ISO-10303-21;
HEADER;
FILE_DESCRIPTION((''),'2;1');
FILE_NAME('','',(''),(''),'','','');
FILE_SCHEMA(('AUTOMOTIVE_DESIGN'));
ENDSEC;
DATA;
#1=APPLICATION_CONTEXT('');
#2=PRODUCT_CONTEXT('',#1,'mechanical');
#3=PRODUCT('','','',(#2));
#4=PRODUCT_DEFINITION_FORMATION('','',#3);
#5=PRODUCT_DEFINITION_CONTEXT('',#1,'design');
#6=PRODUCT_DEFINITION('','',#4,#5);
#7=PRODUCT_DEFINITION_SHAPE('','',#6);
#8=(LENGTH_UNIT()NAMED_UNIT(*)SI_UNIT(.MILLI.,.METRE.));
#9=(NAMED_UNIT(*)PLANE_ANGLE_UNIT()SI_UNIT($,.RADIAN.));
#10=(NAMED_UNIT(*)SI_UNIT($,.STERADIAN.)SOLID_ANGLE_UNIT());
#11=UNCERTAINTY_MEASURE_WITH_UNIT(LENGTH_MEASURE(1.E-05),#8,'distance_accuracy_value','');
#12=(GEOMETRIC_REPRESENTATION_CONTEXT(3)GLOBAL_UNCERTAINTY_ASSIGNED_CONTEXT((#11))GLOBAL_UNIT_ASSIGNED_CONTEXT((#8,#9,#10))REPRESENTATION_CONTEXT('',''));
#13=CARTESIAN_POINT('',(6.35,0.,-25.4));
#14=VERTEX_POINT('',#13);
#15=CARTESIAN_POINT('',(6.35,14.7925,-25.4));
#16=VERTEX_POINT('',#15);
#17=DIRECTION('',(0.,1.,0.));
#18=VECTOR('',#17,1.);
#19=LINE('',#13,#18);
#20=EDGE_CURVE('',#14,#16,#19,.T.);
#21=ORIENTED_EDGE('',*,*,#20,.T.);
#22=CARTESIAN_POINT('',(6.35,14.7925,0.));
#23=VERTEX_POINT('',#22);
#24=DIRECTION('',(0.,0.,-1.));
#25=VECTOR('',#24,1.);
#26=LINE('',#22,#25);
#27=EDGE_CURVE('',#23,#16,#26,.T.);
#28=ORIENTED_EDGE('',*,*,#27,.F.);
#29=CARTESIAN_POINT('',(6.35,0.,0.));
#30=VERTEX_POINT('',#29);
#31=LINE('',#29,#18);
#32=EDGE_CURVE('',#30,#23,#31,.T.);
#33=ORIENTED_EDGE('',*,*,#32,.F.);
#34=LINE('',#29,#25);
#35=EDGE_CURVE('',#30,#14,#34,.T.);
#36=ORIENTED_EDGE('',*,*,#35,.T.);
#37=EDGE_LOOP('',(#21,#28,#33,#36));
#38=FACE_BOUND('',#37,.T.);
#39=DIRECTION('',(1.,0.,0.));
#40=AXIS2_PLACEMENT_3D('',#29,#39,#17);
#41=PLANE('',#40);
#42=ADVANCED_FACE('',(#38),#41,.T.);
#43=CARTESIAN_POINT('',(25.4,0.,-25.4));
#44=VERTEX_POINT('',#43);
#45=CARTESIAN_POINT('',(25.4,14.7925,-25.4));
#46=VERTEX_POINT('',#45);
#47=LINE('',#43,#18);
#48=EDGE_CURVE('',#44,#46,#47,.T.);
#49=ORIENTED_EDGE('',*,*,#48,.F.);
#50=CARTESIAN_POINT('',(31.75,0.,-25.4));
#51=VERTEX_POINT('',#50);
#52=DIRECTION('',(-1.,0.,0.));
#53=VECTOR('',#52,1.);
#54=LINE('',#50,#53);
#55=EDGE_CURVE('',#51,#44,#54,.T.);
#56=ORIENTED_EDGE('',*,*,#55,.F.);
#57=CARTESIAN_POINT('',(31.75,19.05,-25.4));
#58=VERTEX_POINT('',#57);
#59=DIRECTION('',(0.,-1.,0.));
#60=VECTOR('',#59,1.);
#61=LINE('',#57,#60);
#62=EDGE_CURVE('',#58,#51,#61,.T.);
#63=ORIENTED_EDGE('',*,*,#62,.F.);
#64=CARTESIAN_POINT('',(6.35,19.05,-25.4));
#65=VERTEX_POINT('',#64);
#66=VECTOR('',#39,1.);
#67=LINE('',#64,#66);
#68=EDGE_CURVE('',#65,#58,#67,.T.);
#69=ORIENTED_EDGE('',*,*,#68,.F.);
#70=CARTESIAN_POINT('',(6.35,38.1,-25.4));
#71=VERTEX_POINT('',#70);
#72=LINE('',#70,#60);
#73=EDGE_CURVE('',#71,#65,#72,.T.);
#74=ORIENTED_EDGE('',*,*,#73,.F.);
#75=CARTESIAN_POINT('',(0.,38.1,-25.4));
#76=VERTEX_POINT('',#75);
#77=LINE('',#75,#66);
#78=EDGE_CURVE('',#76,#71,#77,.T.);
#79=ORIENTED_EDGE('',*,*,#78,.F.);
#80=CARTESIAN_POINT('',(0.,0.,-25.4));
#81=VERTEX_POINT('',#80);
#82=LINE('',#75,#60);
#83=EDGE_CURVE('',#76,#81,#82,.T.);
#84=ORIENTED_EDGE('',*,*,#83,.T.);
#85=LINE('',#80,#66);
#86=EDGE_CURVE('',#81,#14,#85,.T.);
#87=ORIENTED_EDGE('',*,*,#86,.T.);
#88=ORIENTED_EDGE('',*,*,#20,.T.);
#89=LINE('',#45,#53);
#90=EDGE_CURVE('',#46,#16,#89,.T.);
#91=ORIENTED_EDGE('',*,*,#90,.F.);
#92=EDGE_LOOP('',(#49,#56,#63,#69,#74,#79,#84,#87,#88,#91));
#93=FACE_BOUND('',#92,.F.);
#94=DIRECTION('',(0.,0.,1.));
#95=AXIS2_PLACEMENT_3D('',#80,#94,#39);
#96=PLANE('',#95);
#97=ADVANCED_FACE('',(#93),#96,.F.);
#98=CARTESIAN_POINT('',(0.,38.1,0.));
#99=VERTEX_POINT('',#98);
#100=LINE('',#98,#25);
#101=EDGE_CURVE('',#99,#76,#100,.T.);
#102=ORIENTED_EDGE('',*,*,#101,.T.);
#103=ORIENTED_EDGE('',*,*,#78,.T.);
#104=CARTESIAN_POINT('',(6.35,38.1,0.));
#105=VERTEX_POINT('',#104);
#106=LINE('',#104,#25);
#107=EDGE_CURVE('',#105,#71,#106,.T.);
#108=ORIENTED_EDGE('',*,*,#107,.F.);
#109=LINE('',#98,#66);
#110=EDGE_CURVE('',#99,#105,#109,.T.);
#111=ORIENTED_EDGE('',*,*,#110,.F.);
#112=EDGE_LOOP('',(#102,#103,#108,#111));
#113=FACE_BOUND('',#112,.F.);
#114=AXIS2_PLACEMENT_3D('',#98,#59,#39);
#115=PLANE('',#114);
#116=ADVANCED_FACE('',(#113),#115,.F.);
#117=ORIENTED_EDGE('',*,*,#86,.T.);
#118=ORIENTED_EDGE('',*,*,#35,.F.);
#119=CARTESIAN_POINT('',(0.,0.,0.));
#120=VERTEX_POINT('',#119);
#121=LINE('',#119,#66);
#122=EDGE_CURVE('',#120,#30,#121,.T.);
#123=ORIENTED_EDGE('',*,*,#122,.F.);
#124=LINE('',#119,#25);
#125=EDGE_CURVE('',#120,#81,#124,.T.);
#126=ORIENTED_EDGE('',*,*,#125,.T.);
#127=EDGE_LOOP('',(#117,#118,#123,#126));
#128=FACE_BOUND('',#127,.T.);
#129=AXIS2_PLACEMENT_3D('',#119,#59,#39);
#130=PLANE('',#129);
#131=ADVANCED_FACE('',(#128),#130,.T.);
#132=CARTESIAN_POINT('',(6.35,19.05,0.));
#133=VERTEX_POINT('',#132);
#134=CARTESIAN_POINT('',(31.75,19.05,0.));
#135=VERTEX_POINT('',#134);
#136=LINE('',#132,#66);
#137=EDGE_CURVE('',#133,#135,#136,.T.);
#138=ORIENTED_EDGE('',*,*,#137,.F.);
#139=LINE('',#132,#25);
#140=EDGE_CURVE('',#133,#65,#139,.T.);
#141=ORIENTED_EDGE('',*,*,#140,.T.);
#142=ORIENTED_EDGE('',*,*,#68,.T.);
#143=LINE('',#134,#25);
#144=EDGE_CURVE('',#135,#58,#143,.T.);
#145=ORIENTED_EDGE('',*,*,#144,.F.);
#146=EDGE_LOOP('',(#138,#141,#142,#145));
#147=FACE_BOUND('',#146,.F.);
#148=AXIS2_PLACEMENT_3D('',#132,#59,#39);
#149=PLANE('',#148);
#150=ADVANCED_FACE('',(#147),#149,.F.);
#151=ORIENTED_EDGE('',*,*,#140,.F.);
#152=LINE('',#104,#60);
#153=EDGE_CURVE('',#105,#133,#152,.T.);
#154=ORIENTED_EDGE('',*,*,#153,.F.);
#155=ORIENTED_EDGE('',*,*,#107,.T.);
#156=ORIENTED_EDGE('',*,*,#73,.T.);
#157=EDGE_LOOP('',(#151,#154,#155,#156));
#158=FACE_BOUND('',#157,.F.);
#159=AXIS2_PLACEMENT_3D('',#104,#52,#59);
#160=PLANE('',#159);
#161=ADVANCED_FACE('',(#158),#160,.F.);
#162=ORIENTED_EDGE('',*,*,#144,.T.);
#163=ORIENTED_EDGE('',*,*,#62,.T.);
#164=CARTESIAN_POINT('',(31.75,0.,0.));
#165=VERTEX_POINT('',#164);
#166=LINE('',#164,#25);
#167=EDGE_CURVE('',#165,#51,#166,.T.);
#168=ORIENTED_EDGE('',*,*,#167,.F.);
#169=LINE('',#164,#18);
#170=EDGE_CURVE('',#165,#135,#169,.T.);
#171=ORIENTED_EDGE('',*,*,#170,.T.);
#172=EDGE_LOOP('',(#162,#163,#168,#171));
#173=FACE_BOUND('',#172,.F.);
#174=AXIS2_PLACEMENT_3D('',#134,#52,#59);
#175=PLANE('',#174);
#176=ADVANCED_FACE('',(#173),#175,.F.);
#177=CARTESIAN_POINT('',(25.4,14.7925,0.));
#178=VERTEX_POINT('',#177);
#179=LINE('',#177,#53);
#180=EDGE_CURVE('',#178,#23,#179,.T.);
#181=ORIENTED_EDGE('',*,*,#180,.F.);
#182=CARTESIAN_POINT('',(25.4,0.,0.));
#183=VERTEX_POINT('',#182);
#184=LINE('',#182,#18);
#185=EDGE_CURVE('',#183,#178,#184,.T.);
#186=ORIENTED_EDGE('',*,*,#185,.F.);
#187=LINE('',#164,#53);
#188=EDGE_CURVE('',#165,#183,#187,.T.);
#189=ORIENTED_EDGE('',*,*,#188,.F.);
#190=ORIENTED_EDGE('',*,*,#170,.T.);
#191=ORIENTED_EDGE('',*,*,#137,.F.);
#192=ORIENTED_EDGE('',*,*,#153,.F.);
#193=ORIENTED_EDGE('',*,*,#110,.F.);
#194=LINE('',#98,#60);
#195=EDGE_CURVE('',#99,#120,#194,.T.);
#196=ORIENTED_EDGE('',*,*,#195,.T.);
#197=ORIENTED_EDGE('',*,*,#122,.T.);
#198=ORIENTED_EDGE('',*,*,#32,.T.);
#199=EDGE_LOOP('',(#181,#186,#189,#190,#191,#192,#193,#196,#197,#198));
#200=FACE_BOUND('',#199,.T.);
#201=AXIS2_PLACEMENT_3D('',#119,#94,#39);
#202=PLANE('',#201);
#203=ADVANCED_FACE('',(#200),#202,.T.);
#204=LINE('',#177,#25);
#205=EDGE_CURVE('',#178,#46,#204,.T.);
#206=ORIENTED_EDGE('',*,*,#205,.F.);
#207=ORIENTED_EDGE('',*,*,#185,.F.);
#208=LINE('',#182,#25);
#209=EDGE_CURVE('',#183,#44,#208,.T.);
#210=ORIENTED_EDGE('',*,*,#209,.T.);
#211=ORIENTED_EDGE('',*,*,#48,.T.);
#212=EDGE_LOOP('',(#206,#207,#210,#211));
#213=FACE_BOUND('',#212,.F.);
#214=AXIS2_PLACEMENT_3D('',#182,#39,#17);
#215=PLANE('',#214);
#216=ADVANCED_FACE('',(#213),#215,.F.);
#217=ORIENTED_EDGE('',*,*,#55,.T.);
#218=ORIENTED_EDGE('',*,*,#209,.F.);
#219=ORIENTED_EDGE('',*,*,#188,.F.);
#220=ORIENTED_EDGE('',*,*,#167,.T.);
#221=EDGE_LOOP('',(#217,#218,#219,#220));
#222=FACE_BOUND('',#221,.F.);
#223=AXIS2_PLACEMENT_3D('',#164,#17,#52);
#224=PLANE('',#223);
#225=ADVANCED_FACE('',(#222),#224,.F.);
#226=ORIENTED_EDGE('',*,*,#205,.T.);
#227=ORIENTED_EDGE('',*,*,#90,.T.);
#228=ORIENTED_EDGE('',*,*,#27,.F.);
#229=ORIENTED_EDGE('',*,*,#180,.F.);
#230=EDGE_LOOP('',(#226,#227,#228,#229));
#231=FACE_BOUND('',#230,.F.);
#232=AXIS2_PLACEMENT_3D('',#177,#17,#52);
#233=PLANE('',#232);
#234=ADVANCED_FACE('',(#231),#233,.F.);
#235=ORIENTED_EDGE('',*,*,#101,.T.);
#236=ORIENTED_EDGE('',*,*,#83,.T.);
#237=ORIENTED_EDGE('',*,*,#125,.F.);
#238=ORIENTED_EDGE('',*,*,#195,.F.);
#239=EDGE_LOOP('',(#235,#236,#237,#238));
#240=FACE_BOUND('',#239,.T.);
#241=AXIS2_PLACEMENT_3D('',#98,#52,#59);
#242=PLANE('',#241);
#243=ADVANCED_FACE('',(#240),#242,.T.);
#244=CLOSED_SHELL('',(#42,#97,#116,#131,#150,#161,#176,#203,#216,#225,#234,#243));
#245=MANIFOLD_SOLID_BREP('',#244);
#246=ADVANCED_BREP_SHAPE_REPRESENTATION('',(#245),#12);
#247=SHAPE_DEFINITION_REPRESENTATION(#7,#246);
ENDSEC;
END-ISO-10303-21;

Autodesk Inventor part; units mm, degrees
ref_plane "YZ Plane" through (0, 0, 0) normal (1, 0, 0) x (0, 1, 0)
ref_plane "XZ Plane" through (0, 0, 0) normal (0, 1, 0) x (-1, 0, 0)
ref_plane "XY Plane" through (0, 0, 0) normal (0, 0, 1) x (1, 0, 0)
sketch "Sketch1" plane through (0, 0, 0) normal (0, 0, 1) x (1, 0, 0)
  line L0 (0, 38.1) -> (0, 0)
  line L1 (0, 0) -> (6.35, 0)
  line L2 (0, 38.1) -> (6.35, 38.1)
  line L3 (6.35, 38.1) -> (6.35, 19.05)
  line L4 (6.35, 19.05) -> (31.75, 19.05)
  line L5 (6.35, 0) -> (6.35, 14.7925)
  line L6 (31.75, 19.05) -> (31.75, 0)
  line L7 (31.75, 0) -> (25.4, 0)
  line L8 (6.35, 14.7925) -> (6.35, 19.05)
  line L9 (25.4, 0) -> (25.4, 14.7925)
  line L10 (25.4, 14.7925) -> (6.35, 14.7925)
  line L11 (25.4, 14.7925) -> (31.75, 14.7925)
  dimension "d0" = 38.1
  dimension "d1" = 6.35
  dimension "d2" = 6.35
  dimension "d3" = 19.05
  dimension "d4" = 25.4
  dimension "d7" = 6.35
sketch "Sketch2" plane through (0, 0, 0) normal (0, 0, 1) x (1, 0, 0)
  point P0 (0, 0)
extrude "Extrusion1" add sketch "Sketch1" against normal blind 25.4
sketch "Sketch3" plane through (0, 0, 0) normal (0, 0, 1) x (1, 0, 0)
  point P0 (0, 0)
sketch "Sketch4" plane through (31.75, 0, 0) normal (1, 0, 0) x (0, 0, -1)
  point P0 (0, 0)
equation "\"BendRadius\" = Thickness"
equation "\"BendReliefWidth\" = Thickness"
equation "\"BendReliefDepth\" = 0.5 * Thickness"
equation "\"CornerReliefSize\" = 4 * Thickness"
equation "\"MinimumRemnant\" = 2 * Thickness"
equation "\"TransitionRadius\" = BendRadius"
equation "\"JacobiRadiusSize\" = BendRadius"
equation "\"GapSize\" = Thickness"
equation "\"Thickness\" = 3.048"
properties part number "Sun_Base"
